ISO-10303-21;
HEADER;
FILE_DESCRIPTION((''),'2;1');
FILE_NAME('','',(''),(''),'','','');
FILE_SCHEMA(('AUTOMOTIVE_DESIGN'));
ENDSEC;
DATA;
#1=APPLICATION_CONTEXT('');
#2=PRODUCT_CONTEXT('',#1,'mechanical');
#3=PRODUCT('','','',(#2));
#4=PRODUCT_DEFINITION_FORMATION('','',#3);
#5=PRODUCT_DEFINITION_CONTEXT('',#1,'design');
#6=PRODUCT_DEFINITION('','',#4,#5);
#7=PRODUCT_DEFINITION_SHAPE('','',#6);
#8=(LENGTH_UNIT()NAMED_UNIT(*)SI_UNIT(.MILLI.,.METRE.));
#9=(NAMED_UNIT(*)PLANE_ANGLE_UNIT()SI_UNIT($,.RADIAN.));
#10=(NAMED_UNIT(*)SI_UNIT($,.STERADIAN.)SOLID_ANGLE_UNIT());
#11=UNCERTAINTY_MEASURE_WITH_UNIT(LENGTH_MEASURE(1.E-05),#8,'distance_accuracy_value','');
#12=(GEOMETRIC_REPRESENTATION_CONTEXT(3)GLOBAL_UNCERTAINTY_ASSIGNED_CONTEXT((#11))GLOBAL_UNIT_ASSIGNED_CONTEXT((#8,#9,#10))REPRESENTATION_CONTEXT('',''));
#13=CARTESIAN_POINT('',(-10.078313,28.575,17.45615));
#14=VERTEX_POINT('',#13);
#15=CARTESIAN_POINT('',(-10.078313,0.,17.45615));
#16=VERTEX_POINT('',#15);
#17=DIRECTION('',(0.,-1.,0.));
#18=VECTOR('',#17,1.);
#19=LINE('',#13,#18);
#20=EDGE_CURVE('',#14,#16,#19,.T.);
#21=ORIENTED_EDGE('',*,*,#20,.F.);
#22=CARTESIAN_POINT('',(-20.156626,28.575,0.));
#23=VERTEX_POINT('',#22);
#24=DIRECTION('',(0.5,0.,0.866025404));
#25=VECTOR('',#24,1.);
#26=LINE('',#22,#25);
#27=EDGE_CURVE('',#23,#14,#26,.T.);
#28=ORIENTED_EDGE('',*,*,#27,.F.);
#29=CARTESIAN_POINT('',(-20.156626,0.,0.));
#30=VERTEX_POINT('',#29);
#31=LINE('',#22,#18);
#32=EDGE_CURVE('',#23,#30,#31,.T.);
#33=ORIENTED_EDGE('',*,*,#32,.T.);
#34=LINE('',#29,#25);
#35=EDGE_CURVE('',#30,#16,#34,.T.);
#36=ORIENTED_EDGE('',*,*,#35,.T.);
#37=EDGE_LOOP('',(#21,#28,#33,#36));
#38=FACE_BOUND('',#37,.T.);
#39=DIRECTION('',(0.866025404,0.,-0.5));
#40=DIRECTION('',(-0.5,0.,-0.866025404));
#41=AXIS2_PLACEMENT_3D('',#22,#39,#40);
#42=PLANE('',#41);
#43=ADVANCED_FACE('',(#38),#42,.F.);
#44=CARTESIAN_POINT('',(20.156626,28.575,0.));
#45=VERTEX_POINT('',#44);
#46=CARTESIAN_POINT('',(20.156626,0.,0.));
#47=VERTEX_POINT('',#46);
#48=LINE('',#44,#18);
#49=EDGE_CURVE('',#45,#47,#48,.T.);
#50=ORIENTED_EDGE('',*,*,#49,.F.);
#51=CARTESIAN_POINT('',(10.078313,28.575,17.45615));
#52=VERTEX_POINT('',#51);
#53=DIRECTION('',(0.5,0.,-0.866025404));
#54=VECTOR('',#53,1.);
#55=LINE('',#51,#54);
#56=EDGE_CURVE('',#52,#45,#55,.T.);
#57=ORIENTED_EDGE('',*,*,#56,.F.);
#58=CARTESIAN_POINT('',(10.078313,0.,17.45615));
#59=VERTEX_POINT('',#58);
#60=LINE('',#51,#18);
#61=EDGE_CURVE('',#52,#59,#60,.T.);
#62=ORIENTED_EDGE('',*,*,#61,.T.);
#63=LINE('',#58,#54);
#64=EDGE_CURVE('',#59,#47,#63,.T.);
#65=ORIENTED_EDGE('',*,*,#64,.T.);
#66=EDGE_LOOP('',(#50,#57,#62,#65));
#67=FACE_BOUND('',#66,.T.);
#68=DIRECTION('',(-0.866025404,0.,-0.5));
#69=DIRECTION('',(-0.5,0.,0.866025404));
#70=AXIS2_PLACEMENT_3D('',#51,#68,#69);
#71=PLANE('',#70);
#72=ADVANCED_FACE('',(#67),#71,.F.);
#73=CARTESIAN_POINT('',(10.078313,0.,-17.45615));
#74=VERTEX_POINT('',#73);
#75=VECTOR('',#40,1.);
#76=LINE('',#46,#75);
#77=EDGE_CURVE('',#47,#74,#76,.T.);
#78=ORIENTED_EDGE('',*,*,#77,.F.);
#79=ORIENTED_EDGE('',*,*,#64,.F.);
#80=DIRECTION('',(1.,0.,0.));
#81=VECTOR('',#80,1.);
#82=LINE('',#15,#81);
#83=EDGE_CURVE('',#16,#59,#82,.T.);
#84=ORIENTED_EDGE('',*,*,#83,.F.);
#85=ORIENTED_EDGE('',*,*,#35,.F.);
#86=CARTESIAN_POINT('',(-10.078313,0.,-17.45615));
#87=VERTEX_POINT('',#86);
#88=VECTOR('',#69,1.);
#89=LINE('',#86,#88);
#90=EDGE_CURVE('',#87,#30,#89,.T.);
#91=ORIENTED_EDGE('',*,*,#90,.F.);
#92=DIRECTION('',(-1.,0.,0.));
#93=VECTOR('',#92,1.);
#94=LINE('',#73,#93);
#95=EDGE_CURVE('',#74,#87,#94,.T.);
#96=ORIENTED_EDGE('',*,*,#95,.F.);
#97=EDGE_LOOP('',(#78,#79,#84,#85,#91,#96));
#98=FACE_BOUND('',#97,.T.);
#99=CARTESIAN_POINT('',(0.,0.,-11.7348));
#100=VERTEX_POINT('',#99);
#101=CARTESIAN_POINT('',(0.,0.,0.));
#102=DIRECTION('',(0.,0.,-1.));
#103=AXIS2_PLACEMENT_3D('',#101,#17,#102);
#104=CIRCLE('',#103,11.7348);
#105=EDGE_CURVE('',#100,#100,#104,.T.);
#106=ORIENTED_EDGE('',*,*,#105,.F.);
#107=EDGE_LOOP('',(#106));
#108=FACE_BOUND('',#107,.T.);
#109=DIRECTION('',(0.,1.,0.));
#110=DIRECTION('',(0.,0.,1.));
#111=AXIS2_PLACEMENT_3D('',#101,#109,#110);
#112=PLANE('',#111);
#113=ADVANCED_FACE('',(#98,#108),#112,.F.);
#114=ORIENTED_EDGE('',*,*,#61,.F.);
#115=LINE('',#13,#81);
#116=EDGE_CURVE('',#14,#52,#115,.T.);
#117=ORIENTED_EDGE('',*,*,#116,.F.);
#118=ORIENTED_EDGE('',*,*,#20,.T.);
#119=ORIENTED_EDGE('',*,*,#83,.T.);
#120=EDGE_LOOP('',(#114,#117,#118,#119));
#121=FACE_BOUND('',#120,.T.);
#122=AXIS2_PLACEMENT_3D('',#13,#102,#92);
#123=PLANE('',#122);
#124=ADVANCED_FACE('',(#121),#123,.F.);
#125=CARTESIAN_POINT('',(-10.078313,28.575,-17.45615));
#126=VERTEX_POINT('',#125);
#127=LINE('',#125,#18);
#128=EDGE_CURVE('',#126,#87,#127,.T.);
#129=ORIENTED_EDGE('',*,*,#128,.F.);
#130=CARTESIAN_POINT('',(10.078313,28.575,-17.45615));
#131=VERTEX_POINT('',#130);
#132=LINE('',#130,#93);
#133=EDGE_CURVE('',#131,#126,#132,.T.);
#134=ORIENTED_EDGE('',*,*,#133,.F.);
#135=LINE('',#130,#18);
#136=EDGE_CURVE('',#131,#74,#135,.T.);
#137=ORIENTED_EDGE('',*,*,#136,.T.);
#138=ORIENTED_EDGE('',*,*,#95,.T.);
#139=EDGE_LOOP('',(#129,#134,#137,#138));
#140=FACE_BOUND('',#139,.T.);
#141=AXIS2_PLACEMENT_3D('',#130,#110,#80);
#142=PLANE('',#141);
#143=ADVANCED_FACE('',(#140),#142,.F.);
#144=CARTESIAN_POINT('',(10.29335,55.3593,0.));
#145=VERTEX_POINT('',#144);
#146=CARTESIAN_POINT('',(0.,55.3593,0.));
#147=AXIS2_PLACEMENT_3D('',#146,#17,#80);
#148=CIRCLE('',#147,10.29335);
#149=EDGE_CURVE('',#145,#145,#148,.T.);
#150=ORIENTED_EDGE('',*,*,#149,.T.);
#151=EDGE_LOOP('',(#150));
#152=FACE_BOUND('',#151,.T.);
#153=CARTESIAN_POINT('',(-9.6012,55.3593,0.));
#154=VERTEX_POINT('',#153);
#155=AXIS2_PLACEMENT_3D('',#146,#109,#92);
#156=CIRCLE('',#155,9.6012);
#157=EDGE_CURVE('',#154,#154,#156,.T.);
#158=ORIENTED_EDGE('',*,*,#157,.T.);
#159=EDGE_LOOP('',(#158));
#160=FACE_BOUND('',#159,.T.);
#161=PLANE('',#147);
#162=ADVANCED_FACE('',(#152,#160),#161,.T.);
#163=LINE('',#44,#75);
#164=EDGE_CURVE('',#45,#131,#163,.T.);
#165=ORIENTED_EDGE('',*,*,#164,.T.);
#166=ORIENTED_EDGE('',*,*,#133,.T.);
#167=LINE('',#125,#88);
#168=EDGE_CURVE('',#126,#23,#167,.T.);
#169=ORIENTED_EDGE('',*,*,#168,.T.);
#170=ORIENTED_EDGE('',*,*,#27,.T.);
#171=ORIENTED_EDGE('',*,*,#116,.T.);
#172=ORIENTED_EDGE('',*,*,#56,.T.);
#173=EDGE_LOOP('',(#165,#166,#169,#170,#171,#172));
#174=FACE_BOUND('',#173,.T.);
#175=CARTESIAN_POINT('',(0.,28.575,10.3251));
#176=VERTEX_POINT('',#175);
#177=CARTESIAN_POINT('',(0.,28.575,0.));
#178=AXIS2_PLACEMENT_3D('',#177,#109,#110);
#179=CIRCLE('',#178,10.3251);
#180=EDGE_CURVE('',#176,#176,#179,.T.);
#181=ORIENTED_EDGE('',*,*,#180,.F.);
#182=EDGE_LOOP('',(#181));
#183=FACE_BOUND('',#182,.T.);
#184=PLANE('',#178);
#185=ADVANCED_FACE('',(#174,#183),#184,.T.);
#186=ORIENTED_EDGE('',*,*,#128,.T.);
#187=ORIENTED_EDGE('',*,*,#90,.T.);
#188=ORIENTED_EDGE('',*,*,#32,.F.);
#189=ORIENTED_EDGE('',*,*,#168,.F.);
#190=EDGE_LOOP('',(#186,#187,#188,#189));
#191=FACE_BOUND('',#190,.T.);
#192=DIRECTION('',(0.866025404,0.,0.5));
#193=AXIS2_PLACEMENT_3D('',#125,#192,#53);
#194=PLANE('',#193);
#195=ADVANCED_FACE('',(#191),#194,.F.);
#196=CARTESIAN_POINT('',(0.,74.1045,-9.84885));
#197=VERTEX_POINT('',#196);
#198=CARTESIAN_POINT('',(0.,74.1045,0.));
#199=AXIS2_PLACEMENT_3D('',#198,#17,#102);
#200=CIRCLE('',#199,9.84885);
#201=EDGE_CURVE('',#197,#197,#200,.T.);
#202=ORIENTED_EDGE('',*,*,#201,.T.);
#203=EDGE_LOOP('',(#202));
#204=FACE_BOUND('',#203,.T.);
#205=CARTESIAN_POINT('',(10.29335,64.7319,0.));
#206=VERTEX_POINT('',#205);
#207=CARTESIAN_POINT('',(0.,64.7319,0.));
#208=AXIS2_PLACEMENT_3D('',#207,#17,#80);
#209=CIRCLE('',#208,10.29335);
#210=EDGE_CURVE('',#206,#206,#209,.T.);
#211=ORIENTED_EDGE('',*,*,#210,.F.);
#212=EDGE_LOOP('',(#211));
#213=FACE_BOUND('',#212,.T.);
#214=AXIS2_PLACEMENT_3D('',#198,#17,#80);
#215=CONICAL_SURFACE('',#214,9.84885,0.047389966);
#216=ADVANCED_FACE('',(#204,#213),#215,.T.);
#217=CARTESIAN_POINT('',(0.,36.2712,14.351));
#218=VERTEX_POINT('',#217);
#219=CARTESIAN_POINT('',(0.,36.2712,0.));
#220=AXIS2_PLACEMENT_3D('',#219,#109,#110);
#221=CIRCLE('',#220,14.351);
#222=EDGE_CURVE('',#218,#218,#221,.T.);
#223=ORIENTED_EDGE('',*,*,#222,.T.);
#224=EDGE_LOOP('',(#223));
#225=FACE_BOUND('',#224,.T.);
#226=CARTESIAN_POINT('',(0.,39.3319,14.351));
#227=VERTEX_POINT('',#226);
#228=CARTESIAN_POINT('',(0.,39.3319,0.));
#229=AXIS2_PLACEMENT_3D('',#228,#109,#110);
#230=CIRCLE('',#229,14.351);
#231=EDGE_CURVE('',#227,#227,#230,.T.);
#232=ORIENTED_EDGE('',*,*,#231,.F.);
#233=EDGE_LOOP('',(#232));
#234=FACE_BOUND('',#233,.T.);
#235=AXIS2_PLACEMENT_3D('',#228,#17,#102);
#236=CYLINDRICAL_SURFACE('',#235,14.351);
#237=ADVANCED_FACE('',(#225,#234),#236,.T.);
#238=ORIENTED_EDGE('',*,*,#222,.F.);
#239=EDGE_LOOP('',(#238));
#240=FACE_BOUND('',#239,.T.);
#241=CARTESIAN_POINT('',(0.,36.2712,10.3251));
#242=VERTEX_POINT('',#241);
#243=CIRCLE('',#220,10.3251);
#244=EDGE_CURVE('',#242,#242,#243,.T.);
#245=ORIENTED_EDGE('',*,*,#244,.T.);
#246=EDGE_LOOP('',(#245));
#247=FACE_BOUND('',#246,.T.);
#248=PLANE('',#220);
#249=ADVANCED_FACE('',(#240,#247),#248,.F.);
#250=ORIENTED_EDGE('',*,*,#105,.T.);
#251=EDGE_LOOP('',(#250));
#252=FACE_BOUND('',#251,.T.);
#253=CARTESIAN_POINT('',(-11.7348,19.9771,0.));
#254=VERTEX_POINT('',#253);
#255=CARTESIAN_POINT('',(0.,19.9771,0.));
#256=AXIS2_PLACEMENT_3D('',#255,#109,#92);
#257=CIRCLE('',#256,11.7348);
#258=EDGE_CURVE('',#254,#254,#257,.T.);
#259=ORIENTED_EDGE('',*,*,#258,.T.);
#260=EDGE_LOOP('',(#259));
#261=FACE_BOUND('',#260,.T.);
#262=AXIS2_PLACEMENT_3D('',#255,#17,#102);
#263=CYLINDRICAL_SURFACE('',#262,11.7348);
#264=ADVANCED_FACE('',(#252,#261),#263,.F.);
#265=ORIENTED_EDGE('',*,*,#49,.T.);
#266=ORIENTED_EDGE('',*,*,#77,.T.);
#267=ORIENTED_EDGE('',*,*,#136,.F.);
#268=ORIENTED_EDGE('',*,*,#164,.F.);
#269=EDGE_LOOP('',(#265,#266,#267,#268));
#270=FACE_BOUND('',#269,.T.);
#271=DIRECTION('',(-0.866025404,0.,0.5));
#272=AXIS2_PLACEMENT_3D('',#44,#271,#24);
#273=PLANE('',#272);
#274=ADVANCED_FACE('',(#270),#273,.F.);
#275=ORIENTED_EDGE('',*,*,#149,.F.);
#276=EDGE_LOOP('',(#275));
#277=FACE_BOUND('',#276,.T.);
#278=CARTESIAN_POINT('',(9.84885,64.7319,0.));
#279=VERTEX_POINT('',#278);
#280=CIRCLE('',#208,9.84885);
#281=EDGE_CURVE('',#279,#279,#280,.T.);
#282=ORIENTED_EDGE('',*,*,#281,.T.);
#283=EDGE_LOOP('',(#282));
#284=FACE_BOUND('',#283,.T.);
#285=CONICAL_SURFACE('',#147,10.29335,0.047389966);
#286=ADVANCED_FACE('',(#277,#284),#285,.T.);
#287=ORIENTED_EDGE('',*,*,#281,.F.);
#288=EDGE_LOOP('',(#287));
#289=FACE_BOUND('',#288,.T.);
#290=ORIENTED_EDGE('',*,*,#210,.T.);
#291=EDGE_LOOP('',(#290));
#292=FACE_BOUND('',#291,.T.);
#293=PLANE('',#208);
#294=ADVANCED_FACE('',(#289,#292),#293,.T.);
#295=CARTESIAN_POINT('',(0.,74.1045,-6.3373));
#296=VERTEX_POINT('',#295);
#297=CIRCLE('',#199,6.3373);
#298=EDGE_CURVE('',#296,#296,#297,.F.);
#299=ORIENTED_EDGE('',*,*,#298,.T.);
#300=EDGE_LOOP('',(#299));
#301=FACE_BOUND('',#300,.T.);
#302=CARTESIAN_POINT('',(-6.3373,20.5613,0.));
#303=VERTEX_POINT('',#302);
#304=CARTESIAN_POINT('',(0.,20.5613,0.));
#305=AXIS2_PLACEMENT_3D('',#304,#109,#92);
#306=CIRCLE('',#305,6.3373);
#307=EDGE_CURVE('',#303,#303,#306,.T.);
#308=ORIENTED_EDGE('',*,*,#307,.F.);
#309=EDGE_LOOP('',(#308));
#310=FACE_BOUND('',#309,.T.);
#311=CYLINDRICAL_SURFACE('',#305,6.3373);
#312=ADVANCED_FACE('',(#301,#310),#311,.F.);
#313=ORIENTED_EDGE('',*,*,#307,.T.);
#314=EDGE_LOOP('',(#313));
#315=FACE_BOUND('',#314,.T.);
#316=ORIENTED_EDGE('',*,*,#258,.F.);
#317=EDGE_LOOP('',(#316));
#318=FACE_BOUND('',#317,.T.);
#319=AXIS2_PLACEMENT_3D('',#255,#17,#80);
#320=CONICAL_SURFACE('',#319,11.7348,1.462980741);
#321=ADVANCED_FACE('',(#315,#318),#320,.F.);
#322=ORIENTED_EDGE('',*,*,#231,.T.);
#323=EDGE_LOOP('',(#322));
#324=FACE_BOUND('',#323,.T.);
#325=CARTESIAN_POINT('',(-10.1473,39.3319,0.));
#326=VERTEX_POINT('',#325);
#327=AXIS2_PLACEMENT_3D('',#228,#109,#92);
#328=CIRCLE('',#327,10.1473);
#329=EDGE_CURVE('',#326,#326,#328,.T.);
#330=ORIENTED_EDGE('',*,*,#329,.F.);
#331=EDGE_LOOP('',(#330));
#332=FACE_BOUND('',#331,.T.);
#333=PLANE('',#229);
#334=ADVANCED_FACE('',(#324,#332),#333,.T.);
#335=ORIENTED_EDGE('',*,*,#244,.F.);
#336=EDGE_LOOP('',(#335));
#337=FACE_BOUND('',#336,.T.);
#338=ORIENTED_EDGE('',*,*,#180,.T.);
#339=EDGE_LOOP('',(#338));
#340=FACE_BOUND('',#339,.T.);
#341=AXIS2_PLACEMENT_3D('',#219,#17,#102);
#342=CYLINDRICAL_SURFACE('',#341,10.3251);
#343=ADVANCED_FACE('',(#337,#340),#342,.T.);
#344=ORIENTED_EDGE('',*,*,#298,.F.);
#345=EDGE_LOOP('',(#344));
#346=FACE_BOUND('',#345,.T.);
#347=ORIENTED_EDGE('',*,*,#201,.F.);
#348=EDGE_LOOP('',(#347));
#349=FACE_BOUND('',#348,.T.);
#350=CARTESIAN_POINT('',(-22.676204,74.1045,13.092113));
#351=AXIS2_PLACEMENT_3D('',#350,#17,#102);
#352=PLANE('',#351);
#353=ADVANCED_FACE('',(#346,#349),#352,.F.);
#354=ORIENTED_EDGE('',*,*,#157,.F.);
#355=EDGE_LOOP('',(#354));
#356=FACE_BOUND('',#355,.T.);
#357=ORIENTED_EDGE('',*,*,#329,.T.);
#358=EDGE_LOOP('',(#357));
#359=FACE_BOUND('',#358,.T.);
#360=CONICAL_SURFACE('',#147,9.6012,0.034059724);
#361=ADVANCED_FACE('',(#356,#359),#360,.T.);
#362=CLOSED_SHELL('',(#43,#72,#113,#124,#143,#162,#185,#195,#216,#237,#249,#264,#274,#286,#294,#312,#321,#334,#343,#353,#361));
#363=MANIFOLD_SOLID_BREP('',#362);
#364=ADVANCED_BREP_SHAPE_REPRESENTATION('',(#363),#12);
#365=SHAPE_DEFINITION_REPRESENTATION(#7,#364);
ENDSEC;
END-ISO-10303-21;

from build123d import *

# Parameters (mm, degrees)
BOSS_EXTRUDE1_DEPTH     = 28.575
SKETCH2_R               = 10.3251
BOSS_EXTRUDE2_DEPTH     = 7.6962
SKETCH3_R               = 14.351
BOSS_EXTRUDE3_DEPTH     = 3.0607
SKETCH6_R               = 11.7348
CUT_EXTRUDE1_DEPTH      = 19.9771
SKETCH7_R               = 6.3373
CUT_EXTRUDE2_DEPTH      = 72.2884
CUT_EXTRUDE3_DEPTH      = 103.717779464
CUT_EXTRUDE3_DEPTH_BACK = 103.717779464
SKETCH15_W              = 20.5867
SKETCH15_H              = 9.3726
SKETCH15_H_2            = 16.0274


with BuildPart() as part:
    # Sketch1 → Boss-Extrude1 (new body)
    with BuildSketch(Plane(origin=(0, 0, 0), x_dir=(1, 0, 0), z_dir=(0, 1, 0))):
        Polygon((10.078312902, 17.45615), (-10.078312902, 17.45615), (-20.156625803, 0), (-10.078312902, -17.45615), (10.078312902, -17.45615), (20.156625803, 0), align=None)
    extrude(amount=BOSS_EXTRUDE1_DEPTH)

    # Sketch2 → Boss-Extrude2 (add)
    with BuildSketch(Plane(origin=(0, 28.575, 0), x_dir=(1, 0, 0), z_dir=(0, 1, 0))):
        with Locations(Location((0, 0, 0), (0, 0, 270))):
            Circle(SKETCH2_R)
    extrude(amount=BOSS_EXTRUDE2_DEPTH)

    # Sketch3 → Boss-Extrude3 (add)
    with BuildSketch(Plane(origin=(0, 36.2712, 0), x_dir=(1, 0, 0), z_dir=(0, 1, 0))):
        with Locations(Location((0, 0, 0), (0, 0, 270))):
            Circle(SKETCH3_R)
    extrude(amount=BOSS_EXTRUDE3_DEPTH)

    # Sketch4 → Revolve2 (revolve)
    with BuildSketch(Plane.XY, mode=Mode.PRIVATE) as revolve2_sk:
        Polygon((0, 55.3593), (9.6012, 55.3593), (10.1473, 39.3319), (0, 39.3319), align=None)
    revolve(revolve2_sk.sketch.rotate(Axis((0, 55.3593, 0), (0, -1, 0)), 180), axis=Axis((0, 55.3593, 0), (0, -1, 0)))

    # Sketch5 → Revolve3 (revolve)
    with BuildSketch(Plane.XY):
        Polygon((0, 55.3593), (10.29335, 55.3593), (9.84885, 64.7319), (0, 64.7319), align=None)
        Polygon((0, 74.1045), (0, 64.7319), (9.84885, 64.7319), (10.29335, 64.7319), (9.84885, 74.1045), align=None)
        Polygon((0, 83.4771), (0, 74.1045), (9.84885, 74.1045), (10.29335, 74.1045), (9.84885, 83.4771), align=None)
        Polygon((0, 92.8497), (0, 83.4771), (9.84885, 83.4771), (10.29335, 83.4771), (9.84885, 92.8497), align=None)
    revolve(axis=Axis((0, 55.3593, 0), (0, 1, 0)))

    # Sketch6 → Cut-Extrude1 (cut)
    with BuildSketch(Plane(origin=(0, 0, 0), x_dir=(-1, 0, 0), z_dir=(0, -1, 0))):
        with Locations(Location((0, 0, 0), (0, 0, 90))):
            Circle(SKETCH6_R)
    extrude(amount=-CUT_EXTRUDE1_DEPTH, mode=Mode.SUBTRACT)

    # Sketch7 → Cut-Extrude2 (cut)
    with BuildSketch(Plane(origin=(0, 92.8497, 0), x_dir=(1, 0, 0), z_dir=(0, 1, 0))):
        with Locations(Location((0, 0, 0), (0, 0, 180))):
            Circle(SKETCH7_R)
    extrude(amount=-CUT_EXTRUDE2_DEPTH, mode=Mode.SUBTRACT)

    # Sketch14 → Cut-Revolve1 (revolve, cut)
    with BuildSketch(Plane.XY, mode=Mode.PRIVATE) as cut_revolve1_sk:
        Polygon((6.3373, 20.5613), (0, 20.5613), (0, 19.9771), (11.7348, 19.9771), align=None)
    revolve(cut_revolve1_sk.sketch.rotate(Axis((0, 20.5613, 0), (0, -1, 0)), 180), axis=Axis((0, 20.5613, 0), (0, -1, 0)), mode=Mode.SUBTRACT)

    # Sketch15 → Cut-Extrude3 (cut, two sides: drawn at the far end of the back side and taken through both)
    with BuildSketch(Plane(origin=(15.117469352, 0, -8.728075), x_dir=(-0.4999999999999997, 0, -0.8660254037844388), z_dir=(0.8660254037844389, 0, -0.49999999999999983)).offset(-CUT_EXTRUDE3_DEPTH_BACK)):
        with Locations((0, 78.7908)):
            Rectangle(SKETCH15_W, SKETCH15_H)
        with Locations((0, 91.4908)):
            Rectangle(SKETCH15_W, SKETCH15_H_2)
    extrude(amount=CUT_EXTRUDE3_DEPTH + CUT_EXTRUDE3_DEPTH_BACK, mode=Mode.SUBTRACT)


solid = part.part
